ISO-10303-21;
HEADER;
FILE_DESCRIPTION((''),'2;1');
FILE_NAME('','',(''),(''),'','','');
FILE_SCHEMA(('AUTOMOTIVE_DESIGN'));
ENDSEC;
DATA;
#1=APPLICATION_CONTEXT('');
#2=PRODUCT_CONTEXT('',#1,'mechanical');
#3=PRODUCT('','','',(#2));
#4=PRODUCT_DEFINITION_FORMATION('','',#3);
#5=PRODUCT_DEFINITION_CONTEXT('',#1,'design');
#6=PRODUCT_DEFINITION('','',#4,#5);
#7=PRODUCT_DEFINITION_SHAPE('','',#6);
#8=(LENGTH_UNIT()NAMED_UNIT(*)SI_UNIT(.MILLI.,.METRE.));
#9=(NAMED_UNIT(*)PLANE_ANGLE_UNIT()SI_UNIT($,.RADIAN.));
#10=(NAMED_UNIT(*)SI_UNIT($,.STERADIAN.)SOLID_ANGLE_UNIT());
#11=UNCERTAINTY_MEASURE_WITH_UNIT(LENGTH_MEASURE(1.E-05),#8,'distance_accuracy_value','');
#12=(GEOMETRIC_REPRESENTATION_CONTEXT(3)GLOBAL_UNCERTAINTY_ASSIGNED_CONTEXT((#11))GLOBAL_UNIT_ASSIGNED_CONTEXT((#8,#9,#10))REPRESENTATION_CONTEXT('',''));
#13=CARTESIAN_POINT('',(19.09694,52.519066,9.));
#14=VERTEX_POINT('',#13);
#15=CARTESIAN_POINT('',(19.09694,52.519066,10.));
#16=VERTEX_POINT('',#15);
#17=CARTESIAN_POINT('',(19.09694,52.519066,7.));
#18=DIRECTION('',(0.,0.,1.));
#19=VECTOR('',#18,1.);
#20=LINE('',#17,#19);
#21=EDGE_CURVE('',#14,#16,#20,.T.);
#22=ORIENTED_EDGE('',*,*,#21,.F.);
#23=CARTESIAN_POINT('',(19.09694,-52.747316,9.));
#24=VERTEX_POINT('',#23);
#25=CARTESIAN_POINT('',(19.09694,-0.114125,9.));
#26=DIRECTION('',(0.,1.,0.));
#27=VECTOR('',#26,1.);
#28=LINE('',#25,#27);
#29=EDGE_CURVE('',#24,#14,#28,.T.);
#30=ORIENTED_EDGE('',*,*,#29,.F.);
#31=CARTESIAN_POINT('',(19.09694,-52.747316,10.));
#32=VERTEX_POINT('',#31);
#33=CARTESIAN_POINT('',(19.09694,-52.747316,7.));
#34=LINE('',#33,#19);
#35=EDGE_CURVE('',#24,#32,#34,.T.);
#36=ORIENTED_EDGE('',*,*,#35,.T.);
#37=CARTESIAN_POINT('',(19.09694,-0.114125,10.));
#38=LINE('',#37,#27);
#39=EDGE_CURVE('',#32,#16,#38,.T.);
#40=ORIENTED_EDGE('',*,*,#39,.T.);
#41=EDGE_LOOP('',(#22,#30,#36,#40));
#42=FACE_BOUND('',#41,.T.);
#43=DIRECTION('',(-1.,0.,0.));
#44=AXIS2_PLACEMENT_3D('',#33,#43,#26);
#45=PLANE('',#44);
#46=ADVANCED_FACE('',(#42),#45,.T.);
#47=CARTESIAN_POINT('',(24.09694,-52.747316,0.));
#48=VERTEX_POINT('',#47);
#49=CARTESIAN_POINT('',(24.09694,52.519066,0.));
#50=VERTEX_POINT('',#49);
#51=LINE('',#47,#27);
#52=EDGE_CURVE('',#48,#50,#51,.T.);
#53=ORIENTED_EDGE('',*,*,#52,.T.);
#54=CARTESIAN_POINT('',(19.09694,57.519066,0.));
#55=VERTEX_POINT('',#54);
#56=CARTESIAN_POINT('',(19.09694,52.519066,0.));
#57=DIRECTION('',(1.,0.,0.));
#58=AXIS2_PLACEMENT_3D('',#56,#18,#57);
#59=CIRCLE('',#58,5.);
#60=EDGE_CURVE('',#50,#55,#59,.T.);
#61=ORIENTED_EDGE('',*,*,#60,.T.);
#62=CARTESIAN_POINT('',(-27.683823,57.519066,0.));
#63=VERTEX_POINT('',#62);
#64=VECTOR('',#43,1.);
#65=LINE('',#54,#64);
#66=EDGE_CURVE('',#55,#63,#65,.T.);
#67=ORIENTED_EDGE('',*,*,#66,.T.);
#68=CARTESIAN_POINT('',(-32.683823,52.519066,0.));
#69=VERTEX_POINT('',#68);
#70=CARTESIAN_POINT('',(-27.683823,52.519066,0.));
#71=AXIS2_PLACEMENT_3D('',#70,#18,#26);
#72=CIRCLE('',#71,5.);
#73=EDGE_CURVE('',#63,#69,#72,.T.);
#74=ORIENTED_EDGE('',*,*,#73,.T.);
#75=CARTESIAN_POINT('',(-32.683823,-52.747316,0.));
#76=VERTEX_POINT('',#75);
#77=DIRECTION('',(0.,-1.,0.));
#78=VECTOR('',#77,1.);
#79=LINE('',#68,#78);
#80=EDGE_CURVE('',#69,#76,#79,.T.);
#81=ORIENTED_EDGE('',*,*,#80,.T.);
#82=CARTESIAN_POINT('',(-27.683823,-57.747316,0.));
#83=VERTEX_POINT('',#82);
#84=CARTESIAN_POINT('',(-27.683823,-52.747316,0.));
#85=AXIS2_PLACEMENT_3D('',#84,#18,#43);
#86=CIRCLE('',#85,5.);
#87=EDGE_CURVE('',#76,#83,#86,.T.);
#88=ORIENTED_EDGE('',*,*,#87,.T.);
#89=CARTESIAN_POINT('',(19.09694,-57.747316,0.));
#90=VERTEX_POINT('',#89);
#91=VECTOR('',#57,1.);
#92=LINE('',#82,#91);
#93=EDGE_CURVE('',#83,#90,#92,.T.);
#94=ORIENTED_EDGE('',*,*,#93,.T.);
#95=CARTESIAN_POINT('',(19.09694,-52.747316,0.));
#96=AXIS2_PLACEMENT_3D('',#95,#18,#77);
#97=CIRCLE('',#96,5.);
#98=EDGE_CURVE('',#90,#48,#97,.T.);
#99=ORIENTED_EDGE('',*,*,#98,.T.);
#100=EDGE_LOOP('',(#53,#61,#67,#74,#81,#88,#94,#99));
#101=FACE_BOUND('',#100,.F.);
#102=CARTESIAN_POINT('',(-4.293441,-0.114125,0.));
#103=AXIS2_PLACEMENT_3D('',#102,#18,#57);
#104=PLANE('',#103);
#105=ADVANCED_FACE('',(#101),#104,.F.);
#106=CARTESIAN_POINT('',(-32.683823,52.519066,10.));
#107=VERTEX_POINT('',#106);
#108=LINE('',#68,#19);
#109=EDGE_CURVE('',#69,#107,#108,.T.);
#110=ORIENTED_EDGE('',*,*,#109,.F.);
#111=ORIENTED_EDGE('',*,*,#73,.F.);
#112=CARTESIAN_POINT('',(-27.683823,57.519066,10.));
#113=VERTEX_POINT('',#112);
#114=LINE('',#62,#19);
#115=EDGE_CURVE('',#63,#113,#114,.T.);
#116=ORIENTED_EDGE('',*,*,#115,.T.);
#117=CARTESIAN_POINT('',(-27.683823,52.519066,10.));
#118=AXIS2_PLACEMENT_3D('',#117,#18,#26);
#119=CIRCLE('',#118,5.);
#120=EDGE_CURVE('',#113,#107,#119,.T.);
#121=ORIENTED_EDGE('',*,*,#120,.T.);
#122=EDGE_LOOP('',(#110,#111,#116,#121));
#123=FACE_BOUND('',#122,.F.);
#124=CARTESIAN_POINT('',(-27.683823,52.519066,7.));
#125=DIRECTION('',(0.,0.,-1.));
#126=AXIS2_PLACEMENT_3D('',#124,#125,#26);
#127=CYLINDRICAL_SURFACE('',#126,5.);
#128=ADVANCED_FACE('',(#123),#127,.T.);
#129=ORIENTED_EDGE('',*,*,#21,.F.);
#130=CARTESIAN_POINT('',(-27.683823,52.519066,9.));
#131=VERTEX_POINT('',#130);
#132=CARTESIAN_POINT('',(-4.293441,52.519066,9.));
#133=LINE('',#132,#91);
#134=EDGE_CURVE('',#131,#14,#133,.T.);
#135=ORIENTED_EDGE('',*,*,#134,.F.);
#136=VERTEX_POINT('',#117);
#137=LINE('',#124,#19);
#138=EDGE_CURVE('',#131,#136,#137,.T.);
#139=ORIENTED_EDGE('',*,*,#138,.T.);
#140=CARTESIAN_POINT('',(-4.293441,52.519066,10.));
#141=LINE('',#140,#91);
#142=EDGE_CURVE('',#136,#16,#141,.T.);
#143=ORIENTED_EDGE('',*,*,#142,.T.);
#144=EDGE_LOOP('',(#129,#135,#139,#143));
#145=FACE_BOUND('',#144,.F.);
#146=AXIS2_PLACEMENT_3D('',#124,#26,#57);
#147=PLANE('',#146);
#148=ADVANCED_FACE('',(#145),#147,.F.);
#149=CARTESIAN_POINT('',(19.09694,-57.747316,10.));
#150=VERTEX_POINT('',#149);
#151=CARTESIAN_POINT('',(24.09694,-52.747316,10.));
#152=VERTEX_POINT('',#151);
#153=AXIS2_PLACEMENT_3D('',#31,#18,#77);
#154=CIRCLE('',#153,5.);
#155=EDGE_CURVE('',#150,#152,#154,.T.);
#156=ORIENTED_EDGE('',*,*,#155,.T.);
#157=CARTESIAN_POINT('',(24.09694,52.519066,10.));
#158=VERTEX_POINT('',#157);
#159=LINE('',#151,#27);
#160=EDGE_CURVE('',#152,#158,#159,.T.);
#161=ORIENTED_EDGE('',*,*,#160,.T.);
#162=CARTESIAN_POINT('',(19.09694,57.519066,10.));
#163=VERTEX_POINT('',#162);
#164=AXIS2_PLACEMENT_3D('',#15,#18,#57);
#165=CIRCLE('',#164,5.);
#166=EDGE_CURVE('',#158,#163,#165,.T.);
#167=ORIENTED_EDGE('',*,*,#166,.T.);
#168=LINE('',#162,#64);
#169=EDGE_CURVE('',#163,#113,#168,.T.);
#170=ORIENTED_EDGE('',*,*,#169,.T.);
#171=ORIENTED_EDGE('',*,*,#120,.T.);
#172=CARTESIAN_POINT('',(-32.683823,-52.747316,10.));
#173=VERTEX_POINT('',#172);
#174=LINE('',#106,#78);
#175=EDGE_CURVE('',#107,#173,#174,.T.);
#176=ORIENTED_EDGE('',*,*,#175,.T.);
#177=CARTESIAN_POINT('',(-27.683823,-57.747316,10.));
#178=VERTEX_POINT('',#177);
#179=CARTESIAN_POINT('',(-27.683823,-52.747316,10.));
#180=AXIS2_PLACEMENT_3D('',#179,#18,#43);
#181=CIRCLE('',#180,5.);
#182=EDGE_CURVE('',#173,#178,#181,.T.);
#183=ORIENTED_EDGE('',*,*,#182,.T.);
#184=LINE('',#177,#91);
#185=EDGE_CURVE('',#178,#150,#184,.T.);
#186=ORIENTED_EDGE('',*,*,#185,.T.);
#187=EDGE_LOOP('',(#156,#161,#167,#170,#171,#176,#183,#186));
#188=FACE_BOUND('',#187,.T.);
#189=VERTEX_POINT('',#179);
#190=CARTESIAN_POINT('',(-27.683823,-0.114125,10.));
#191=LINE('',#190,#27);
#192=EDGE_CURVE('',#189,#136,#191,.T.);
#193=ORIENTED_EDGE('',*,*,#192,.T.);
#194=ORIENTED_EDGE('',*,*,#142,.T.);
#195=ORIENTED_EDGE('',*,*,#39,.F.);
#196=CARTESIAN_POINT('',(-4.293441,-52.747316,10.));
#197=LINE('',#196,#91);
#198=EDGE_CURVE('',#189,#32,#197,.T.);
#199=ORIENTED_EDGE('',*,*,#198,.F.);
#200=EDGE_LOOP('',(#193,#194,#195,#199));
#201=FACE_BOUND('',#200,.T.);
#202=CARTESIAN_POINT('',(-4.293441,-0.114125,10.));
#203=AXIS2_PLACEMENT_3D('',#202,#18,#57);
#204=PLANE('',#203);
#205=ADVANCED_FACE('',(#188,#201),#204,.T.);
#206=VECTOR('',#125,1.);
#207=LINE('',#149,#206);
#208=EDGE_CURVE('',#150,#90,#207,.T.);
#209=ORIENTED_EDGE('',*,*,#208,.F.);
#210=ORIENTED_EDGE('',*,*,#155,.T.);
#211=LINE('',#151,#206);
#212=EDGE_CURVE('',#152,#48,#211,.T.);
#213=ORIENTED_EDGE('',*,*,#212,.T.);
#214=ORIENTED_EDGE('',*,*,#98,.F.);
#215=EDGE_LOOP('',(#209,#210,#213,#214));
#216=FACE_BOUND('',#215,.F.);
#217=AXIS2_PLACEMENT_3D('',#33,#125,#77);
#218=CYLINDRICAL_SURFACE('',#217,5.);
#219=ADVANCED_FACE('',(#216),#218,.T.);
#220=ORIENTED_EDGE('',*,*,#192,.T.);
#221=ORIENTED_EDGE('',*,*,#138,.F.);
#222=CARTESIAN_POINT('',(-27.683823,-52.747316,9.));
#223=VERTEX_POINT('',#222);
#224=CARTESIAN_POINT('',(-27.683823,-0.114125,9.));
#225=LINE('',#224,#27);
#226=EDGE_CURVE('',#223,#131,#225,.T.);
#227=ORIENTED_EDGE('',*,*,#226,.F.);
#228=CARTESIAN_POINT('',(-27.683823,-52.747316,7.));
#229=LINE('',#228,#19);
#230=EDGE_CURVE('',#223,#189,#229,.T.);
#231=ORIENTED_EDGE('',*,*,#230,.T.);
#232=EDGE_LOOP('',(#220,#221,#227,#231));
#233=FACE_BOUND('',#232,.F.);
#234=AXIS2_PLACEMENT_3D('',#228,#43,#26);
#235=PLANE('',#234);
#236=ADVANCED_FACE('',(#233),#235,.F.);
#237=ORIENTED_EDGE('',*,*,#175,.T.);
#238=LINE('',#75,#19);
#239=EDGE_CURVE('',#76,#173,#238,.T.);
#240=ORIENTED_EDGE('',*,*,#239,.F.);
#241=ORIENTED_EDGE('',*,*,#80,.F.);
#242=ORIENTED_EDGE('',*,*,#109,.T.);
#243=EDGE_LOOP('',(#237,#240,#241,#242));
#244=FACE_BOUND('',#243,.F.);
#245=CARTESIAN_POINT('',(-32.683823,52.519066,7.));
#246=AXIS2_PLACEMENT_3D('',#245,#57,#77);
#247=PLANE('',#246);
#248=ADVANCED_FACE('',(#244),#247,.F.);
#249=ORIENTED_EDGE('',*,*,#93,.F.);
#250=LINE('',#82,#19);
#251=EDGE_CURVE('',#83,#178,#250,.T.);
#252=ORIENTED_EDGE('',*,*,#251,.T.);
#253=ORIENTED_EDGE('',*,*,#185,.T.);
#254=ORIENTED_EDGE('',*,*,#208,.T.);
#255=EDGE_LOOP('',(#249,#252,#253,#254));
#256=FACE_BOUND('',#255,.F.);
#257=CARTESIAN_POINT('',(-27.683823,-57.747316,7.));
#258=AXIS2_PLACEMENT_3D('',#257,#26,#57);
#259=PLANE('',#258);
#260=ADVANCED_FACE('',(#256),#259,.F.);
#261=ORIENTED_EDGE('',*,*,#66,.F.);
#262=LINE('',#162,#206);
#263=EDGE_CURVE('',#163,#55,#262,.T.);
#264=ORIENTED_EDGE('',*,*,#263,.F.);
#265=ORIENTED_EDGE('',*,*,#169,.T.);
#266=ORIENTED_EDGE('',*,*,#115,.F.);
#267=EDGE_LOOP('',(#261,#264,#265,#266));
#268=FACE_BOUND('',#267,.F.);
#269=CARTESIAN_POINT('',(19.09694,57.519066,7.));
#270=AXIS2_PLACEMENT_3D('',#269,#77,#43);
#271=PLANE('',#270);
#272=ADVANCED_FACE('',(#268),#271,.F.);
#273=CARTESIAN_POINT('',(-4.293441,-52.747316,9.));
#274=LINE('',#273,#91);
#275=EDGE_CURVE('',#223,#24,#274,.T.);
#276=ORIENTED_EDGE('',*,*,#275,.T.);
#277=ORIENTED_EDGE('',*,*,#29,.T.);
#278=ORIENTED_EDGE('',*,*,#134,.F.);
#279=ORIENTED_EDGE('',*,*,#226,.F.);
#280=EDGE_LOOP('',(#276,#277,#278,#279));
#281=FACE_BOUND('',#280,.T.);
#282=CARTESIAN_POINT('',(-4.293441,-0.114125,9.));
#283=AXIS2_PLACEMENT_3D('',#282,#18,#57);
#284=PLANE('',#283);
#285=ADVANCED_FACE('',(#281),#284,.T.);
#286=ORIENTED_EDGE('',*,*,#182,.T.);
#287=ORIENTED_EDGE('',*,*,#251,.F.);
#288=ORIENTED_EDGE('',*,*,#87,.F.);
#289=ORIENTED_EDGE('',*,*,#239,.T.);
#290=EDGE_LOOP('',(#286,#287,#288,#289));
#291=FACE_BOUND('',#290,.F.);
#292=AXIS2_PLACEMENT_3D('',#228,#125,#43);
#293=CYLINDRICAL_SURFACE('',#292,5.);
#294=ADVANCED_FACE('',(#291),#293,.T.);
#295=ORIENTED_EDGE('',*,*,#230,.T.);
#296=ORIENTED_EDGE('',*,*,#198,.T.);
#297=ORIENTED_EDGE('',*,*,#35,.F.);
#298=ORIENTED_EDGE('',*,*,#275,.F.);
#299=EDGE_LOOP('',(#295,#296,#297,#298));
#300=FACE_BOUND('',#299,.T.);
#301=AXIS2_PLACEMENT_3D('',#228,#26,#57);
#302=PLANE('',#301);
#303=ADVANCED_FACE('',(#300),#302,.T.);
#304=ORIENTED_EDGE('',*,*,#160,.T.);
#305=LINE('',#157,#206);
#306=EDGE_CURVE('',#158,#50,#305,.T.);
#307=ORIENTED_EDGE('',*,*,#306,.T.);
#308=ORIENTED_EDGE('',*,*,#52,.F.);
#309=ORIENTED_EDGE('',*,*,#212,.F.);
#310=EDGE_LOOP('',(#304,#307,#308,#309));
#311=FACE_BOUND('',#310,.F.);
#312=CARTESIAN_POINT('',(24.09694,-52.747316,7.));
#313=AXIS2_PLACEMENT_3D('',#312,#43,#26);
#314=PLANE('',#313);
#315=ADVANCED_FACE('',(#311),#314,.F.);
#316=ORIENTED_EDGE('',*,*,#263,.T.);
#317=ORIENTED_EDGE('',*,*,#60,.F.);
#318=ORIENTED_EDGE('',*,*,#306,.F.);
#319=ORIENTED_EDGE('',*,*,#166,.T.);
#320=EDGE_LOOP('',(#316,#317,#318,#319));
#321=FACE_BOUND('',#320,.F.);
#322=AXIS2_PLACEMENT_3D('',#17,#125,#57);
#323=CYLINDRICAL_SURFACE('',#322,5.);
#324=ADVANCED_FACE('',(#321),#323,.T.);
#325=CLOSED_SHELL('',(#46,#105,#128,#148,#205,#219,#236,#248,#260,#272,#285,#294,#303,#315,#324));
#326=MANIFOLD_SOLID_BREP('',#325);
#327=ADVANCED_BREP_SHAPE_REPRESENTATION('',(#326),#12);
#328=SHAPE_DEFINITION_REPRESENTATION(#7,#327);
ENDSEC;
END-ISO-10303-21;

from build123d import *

# Parameters (mm, degrees)
F1_DEPTH = 7
F2_W     = 46.7807637383
F2_H     = 105.2663818344
F3_DEPTH = 2
F4_DEPTH = 3


with BuildPart() as f1:
    # F0 (on Top) → F1 (new body)
    with BuildSketch(Plane.XY):
        with BuildLine():
            Line((19.0969404806, 57.5190660946), (-27.6838232577, 57.5190660946))
            ThreePointArc((-27.6838232577, 57.5190660946), (-31.2193571636, 56.0546000006), (-32.6838232577, 52.5190660946))
            Line((-32.6838232577, 52.5190660946), (-32.6838232577, -52.7473157398))
            ThreePointArc((-32.6838232577, -52.7473157398), (-31.2193571636, -56.2828496457), (-27.6838232577, -57.7473157398))
            Line((-27.6838232577, -57.7473157398), (19.0969404806, -57.7473157398))
            ThreePointArc((19.0969404806, -57.7473157398), (22.6324743865, -56.2828496457), (24.0969404806, -52.7473157398))
            Line((24.0969404806, -52.7473157398), (24.0969404806, 52.5190660946))
            ThreePointArc((24.0969404806, 52.5190660946), (22.6324743865, 56.0546000006), (19.0969404806, 57.5190660946))
        make_face()
    extrude(amount=F1_DEPTH)

    # F2 (on face) → F3 (join)
    with BuildSketch(Plane.XY.offset(7)):
        with Locations((-4.2934413886, -0.1141248226)):
            Rectangle(F2_W, F2_H)
    extrude(amount=F3_DEPTH)

    # F4 (add): a face of the model
    f4_faces = [f1.faces().sort_by_distance(p)[0] for p in [
        (22.8120127039, -0.1141248226, 7),
    ]]
    extrude(f4_faces, amount=F4_DEPTH)


solid = f1.part
